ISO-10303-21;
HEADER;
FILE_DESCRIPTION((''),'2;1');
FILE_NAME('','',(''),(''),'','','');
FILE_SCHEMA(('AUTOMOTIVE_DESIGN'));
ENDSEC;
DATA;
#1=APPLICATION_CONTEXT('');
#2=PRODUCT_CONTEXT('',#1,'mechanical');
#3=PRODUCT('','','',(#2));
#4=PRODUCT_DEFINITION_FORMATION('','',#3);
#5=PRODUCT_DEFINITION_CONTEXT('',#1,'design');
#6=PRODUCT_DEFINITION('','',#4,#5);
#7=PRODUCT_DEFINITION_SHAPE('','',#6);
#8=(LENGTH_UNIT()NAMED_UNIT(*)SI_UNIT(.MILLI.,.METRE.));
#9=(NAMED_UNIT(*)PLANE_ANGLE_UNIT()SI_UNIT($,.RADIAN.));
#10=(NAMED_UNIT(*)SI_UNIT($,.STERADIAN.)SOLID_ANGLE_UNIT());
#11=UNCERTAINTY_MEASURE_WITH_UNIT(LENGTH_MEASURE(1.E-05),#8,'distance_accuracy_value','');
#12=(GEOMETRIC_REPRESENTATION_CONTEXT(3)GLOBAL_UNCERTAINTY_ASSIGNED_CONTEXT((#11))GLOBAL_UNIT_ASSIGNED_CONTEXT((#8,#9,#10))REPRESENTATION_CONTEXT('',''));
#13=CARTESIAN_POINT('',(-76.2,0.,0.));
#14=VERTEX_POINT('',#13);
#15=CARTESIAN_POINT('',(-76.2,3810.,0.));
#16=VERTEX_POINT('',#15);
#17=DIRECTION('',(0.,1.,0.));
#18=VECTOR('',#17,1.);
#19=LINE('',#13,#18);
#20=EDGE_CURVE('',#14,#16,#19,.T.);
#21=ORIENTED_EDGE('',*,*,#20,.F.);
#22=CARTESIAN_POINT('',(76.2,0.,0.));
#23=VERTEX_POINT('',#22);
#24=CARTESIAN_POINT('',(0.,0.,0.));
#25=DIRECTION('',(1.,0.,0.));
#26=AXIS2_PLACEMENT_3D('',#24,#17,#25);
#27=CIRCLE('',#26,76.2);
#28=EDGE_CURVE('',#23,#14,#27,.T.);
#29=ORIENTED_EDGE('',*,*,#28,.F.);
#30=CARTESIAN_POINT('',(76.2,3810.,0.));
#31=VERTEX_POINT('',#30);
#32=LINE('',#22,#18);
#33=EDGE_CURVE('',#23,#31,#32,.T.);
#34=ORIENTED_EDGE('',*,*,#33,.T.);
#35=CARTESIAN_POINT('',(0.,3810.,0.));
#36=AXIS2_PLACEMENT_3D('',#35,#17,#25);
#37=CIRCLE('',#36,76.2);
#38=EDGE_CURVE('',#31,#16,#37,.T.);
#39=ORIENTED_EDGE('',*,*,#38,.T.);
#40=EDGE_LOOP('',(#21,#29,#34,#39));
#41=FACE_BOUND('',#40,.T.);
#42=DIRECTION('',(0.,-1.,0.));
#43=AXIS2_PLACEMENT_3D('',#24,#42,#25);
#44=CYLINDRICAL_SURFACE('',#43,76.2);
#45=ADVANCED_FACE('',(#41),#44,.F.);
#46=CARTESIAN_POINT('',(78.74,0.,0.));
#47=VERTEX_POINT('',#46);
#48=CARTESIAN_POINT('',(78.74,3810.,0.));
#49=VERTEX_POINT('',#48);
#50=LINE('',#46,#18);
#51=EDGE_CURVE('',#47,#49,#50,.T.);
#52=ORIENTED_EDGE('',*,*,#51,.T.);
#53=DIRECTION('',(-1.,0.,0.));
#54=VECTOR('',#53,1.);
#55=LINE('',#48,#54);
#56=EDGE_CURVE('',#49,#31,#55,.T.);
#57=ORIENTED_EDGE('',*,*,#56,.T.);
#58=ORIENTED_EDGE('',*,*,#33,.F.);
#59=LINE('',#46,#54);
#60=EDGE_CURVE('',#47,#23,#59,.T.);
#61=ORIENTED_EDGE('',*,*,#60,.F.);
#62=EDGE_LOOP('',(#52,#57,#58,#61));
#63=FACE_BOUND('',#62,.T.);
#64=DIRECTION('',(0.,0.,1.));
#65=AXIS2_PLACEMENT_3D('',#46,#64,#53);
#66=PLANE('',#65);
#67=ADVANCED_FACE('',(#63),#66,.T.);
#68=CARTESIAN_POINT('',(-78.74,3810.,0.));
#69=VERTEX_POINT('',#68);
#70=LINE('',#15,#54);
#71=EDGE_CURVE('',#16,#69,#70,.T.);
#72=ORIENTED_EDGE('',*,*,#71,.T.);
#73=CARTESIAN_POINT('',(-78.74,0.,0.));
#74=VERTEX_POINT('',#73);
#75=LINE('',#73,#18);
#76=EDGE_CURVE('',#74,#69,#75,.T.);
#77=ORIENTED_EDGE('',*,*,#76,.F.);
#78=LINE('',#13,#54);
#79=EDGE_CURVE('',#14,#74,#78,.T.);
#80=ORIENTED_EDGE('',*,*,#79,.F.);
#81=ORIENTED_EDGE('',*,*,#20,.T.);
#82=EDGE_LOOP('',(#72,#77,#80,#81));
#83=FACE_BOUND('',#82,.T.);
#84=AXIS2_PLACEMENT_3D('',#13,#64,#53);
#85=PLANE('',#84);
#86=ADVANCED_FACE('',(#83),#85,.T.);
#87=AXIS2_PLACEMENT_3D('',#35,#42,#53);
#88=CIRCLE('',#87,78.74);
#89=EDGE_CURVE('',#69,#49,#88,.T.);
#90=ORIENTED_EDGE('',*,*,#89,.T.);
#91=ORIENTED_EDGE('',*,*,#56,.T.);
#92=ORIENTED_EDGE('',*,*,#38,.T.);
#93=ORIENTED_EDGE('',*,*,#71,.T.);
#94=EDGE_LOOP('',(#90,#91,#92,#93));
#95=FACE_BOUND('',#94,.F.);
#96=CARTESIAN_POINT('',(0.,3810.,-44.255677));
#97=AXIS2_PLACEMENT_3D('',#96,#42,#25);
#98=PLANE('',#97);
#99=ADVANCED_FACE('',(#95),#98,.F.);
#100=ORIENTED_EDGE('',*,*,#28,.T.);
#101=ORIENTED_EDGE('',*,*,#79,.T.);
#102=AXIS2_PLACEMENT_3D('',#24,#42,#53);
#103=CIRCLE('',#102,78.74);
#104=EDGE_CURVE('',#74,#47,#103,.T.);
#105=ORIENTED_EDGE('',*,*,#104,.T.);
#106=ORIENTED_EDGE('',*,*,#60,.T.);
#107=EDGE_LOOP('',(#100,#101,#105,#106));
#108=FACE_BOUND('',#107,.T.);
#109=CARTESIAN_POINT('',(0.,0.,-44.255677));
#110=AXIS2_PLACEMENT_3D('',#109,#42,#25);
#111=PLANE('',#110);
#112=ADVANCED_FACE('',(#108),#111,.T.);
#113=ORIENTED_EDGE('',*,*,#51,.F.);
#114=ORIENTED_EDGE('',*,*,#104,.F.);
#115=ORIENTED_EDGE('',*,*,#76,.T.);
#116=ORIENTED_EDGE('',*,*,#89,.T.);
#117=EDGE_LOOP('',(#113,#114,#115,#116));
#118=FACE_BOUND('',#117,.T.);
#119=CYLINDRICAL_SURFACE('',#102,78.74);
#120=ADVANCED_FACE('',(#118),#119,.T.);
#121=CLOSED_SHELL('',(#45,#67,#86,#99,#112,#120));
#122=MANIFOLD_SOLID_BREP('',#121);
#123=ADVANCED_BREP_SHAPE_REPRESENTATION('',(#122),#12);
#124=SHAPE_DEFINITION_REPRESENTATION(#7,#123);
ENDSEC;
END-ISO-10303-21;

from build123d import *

# Parameters (mm, degrees)
F1_DEPTH = 3810


with BuildPart() as f1:
    # F0 (on Front) → F1 (new body)
    with BuildSketch(Plane.XZ):
        with BuildLine():
            ThreePointArc((76.2, 0), (0, -76.2), (-76.2, 0))
            Line((-76.2, 0), (-78.74, 0))
            ThreePointArc((-78.74, 0), (0, -78.74), (78.74, 0))
            Line((78.74, 0), (76.2, 0))
        make_face()
    extrude(amount=-F1_DEPTH)


solid = f1.part
